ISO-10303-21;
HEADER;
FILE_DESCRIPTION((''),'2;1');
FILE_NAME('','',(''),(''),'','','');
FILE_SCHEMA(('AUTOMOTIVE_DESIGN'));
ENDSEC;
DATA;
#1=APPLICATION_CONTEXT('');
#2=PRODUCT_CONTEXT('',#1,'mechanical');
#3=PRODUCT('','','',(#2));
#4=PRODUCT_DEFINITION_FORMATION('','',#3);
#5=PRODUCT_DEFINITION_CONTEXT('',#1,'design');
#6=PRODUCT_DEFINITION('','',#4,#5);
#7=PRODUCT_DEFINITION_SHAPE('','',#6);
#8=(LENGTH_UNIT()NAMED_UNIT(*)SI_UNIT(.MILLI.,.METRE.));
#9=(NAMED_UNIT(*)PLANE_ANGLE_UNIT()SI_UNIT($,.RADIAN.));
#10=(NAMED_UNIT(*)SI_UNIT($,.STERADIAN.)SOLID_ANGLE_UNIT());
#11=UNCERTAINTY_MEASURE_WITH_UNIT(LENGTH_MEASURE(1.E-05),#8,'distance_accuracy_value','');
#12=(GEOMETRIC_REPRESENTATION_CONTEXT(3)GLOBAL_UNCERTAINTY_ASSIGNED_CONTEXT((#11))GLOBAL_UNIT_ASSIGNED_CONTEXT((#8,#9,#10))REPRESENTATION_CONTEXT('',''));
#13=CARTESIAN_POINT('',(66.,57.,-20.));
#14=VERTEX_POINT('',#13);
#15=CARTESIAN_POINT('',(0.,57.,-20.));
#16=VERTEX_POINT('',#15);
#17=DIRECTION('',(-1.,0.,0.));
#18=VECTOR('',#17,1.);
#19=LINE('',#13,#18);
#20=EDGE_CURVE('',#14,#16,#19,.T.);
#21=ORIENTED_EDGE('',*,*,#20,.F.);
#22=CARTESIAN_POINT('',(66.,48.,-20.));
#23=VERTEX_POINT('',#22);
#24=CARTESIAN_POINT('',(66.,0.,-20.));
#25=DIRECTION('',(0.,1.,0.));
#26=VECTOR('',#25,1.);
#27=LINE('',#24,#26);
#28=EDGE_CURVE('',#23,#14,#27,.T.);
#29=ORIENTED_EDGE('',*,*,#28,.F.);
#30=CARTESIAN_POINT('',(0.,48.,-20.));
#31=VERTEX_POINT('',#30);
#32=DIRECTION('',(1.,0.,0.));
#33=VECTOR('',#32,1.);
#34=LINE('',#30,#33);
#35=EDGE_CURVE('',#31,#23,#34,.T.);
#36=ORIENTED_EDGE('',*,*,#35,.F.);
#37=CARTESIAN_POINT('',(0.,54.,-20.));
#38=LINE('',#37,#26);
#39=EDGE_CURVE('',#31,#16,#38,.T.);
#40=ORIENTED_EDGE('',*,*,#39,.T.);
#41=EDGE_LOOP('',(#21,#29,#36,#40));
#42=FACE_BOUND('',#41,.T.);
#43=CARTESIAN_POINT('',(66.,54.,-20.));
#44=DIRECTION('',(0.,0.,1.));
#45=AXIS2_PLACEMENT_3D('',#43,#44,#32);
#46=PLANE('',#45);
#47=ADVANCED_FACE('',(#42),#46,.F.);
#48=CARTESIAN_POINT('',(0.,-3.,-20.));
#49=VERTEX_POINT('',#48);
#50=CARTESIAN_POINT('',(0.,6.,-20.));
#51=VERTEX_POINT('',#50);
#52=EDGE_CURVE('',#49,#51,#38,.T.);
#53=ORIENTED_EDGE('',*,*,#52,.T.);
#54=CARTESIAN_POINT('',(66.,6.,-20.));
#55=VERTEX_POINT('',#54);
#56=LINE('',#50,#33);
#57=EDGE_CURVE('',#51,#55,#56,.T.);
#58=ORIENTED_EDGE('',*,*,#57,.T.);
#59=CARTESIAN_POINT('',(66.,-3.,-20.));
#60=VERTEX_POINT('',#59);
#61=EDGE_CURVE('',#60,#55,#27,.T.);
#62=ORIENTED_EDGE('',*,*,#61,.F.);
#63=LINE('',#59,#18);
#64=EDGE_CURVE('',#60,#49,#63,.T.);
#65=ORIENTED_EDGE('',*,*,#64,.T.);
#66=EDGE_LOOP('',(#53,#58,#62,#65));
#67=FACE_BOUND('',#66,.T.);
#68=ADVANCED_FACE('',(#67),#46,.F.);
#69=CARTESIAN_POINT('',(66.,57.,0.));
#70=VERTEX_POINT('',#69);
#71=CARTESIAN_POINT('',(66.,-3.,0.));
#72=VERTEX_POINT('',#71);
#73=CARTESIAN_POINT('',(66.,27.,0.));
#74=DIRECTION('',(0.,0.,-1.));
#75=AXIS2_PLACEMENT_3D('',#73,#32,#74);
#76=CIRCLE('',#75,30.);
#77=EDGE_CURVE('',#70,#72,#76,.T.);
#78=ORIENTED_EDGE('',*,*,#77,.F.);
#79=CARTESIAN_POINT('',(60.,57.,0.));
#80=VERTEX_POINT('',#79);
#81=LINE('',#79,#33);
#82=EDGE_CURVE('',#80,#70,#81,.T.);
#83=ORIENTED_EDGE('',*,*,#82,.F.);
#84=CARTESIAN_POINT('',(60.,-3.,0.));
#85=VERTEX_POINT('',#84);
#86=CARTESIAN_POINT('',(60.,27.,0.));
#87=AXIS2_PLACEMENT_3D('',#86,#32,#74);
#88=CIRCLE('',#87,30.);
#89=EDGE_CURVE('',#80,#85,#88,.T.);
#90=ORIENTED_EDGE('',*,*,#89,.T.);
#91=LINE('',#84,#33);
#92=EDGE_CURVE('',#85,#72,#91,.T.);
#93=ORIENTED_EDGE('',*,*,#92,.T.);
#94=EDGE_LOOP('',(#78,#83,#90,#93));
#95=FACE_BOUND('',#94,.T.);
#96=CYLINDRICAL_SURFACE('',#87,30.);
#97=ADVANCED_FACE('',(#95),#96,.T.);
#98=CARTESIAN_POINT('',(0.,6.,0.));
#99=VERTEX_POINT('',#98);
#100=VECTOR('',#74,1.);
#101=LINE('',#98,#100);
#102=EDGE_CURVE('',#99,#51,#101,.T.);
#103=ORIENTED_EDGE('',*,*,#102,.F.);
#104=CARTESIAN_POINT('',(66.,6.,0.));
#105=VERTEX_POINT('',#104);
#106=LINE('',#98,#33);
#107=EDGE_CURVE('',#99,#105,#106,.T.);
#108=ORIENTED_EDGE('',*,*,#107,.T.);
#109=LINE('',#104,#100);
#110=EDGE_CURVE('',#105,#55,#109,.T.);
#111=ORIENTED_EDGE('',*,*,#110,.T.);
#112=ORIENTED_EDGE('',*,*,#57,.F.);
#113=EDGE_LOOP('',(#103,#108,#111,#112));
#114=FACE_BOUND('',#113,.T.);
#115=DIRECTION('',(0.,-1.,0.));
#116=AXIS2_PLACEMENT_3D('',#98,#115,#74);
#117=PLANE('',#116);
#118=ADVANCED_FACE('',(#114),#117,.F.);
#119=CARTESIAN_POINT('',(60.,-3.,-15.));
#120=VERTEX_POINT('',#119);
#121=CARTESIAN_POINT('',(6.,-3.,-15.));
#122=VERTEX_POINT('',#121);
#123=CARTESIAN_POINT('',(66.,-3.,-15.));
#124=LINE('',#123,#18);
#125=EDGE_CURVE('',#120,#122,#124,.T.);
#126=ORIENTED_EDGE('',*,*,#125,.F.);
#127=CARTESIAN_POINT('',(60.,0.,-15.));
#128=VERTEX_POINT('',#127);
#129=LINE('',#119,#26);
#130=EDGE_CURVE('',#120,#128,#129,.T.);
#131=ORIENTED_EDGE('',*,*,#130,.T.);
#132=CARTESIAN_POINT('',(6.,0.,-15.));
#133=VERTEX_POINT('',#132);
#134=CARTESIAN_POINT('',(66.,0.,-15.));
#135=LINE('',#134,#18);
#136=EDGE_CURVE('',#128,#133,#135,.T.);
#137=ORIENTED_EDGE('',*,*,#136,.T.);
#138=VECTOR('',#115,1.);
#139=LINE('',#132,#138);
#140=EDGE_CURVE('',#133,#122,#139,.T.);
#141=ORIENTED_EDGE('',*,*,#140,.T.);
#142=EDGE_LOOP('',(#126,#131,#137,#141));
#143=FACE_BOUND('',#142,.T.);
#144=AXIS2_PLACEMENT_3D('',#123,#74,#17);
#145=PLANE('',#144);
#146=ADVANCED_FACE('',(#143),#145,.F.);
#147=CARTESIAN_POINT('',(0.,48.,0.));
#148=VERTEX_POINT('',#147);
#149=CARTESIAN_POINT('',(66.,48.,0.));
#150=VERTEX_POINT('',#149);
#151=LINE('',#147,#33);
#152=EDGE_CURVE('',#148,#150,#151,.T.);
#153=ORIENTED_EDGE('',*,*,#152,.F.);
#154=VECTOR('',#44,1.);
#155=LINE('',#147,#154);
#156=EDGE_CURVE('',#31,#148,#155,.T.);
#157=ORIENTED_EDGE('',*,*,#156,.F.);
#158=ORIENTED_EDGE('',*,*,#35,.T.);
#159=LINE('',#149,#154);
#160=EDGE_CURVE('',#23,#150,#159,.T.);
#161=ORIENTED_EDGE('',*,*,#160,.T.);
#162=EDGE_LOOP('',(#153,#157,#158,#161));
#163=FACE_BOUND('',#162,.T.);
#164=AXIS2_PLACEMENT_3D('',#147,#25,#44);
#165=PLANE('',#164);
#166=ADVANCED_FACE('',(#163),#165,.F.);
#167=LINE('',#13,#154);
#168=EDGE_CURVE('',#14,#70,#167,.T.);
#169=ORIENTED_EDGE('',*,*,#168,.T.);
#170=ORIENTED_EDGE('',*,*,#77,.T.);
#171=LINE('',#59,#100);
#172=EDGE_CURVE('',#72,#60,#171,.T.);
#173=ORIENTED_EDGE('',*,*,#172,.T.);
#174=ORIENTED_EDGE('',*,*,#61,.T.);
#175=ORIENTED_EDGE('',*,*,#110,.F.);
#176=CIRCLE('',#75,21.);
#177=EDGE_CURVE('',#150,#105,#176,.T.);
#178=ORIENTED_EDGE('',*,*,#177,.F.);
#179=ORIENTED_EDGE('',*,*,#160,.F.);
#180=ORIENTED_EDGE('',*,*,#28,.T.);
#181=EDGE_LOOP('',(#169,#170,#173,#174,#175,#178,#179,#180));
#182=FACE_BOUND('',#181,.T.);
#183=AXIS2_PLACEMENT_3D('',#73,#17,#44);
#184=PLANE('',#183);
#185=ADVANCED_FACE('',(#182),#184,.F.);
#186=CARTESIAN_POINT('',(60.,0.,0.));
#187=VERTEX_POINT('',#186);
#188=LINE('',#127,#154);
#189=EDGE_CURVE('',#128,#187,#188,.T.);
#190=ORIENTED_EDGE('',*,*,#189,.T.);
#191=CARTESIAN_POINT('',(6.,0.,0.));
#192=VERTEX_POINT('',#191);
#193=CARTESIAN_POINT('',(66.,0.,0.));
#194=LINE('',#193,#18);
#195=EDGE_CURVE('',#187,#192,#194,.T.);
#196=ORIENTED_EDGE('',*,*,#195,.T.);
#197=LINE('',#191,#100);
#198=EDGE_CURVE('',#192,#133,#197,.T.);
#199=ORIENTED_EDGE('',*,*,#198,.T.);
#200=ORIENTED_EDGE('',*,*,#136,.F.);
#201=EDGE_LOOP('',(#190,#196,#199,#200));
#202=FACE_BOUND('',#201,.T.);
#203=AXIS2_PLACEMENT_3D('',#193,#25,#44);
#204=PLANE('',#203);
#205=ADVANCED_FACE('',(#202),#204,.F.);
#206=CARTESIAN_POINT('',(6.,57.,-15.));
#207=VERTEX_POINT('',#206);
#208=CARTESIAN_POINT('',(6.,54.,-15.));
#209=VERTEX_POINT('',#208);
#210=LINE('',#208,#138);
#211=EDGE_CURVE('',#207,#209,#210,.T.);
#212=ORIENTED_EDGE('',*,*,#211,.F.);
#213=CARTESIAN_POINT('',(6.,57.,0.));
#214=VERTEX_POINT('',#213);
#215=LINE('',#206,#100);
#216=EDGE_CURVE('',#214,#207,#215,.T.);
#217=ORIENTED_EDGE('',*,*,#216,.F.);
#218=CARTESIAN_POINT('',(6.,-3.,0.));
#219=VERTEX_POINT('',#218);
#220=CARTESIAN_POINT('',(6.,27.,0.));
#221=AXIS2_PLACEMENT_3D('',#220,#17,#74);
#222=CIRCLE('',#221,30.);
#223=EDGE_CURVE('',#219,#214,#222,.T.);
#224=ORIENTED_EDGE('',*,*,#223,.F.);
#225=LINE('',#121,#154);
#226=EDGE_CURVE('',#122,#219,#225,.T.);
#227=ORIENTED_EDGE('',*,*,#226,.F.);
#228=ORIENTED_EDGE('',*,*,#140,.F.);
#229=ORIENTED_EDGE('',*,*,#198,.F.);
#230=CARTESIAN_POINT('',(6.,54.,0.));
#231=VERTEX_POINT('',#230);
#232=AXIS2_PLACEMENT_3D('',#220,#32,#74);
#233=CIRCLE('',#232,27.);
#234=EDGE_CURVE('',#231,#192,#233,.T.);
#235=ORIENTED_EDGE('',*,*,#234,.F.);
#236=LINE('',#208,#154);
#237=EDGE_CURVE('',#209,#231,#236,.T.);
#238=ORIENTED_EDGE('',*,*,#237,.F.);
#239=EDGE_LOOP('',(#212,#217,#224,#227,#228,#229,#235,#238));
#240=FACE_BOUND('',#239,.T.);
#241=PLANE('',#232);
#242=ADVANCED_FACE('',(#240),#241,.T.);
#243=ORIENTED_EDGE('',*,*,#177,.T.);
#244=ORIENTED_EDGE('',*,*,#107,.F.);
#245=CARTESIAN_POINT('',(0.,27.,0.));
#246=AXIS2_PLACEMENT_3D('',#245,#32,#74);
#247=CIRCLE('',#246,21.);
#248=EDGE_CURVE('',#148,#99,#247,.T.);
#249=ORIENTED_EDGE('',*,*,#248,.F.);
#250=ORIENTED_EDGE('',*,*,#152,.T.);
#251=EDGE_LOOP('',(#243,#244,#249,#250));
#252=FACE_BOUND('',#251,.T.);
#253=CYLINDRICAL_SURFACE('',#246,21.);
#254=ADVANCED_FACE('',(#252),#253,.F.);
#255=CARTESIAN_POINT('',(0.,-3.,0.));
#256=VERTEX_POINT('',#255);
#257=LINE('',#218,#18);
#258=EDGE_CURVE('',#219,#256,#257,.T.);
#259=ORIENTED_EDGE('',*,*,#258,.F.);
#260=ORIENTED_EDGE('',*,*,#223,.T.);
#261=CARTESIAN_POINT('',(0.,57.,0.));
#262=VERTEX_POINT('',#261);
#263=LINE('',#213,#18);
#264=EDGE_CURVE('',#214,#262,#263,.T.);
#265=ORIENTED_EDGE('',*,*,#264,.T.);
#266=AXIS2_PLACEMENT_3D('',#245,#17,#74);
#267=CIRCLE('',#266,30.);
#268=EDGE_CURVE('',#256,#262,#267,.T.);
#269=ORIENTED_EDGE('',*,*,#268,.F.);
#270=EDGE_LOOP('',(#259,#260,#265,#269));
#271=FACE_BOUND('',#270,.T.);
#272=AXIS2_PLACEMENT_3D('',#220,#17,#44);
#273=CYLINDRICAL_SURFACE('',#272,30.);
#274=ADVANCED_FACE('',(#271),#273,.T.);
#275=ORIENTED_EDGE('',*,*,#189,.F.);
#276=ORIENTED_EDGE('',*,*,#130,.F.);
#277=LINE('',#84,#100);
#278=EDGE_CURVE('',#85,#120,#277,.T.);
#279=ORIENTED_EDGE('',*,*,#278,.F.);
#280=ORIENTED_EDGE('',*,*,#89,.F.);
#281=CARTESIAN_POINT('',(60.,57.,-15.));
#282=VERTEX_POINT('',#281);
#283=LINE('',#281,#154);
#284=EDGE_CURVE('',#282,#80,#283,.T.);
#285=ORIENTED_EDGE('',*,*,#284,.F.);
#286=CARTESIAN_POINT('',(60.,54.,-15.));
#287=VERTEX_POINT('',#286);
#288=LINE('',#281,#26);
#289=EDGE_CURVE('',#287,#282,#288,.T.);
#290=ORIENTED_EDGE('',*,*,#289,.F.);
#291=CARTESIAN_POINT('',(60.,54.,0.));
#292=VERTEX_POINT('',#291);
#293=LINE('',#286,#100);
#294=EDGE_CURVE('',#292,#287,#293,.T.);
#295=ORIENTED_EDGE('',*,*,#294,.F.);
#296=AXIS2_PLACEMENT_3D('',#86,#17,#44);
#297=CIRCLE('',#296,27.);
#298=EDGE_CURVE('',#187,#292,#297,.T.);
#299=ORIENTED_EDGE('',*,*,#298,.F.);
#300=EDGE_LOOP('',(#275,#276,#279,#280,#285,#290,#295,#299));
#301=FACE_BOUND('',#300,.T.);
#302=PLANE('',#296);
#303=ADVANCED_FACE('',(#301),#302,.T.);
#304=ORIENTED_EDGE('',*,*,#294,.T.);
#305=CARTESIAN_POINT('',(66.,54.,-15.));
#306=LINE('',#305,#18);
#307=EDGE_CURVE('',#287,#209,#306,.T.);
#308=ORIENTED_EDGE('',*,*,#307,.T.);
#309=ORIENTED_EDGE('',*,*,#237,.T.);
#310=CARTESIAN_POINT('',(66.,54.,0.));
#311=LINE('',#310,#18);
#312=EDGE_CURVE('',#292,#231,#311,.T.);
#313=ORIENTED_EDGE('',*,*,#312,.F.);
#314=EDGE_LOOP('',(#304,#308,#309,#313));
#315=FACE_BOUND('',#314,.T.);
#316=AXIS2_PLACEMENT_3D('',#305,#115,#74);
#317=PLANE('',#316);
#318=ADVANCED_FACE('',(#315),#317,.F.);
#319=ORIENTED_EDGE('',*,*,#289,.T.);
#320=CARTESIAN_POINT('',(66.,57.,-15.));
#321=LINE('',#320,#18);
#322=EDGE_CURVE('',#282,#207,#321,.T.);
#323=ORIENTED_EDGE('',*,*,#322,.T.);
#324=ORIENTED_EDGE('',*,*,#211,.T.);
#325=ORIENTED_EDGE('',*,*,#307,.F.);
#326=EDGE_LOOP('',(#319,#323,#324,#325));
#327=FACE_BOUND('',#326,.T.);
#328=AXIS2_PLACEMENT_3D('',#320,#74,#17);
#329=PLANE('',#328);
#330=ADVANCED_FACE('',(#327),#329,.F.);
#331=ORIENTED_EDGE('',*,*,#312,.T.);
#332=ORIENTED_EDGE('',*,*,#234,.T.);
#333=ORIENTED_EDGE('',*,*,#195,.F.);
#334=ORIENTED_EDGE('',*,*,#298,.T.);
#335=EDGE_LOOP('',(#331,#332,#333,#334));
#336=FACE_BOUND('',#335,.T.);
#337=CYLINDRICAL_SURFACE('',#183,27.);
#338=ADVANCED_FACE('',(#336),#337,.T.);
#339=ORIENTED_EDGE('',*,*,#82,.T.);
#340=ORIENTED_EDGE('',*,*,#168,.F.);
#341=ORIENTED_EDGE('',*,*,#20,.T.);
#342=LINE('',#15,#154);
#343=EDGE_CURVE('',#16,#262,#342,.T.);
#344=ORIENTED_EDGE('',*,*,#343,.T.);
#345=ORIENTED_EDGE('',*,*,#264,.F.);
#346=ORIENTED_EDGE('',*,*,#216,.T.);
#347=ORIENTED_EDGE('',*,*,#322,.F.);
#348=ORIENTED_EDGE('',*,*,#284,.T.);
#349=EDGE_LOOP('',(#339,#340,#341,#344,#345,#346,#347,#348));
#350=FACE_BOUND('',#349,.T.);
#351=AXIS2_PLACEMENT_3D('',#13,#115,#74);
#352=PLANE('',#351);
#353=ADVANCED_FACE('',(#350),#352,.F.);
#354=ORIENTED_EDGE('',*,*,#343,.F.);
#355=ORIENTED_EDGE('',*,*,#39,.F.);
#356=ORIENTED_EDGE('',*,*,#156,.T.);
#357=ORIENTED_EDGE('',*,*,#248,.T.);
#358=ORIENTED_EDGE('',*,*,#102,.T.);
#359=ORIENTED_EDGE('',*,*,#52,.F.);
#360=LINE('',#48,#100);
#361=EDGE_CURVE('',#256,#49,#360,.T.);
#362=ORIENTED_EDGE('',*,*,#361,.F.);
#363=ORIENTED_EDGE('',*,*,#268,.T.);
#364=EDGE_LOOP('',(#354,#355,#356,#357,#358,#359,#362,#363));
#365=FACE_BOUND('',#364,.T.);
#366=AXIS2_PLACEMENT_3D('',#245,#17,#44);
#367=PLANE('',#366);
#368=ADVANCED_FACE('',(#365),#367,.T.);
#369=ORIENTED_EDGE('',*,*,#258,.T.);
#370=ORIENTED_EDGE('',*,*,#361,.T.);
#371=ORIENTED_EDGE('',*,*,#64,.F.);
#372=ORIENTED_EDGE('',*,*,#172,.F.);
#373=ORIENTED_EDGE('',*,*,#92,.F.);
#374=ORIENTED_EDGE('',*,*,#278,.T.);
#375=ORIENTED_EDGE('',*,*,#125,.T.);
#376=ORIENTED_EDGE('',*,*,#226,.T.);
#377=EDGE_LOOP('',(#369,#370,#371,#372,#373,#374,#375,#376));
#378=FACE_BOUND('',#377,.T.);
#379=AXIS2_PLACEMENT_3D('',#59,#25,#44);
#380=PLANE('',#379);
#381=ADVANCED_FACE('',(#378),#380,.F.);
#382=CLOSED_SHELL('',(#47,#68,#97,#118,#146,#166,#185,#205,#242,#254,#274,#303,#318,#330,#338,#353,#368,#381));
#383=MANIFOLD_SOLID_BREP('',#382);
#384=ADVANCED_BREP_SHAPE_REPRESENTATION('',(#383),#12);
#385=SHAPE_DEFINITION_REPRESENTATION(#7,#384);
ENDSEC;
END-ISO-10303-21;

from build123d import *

# Parameters (mm, degrees)
BOSS_EXTRUDE1_DEPTH = 66
CUT_EXTRUDE1_DEPTH  = 92.290744328
BOSS_EXTRUDE2_START = -6
BOSS_EXTRUDE2_DEPTH = 6
BOSS_EXTRUDE3_DEPTH = 6


with BuildPart() as part:
    # Sketch1 → Boss-Extrude1 (new body)
    with BuildSketch(Plane.YZ):
        with BuildLine():
            Line((0, 0), (0, -15))
            Line((0, -15), (-3, -15))
            Line((-3, -15), (-3, -20))
            Line((-3, -20), (0, -20))
            Line((0, -20), (54, -20))
            Line((54, -20), (57, -20))
            Line((57, -20), (57, -15))
            Line((57, -15), (54, -15))
            Line((54, -15), (54, 0))
            ThreePointArc((54, 0), (27, 27), (0, 0))
        make_face()
    extrude(amount=BOSS_EXTRUDE1_DEPTH)

    # Sketch2 → Cut-Extrude1 (cut, through all)
    with BuildSketch(Plane.YZ.offset(66)):
        with BuildLine():
            Line((6, 0), (6, -20))
            Line((6, -20), (48, -20))
            Line((48, -20), (48, 0))
            ThreePointArc((48, 0), (27, 21), (6, 0))
        make_face()
    extrude(amount=-CUT_EXTRUDE1_DEPTH, mode=Mode.SUBTRACT)

    # Sketch3 → Boss-Extrude2 (add)
    with BuildSketch(Plane.YZ.offset(66).offset(BOSS_EXTRUDE2_START)):
        with BuildLine():
            Line((-3, -15), (0, -15))
            Line((0, -15), (0, 0))
            ThreePointArc((0, 0), (27, 27), (54, 0))
            Line((54, 0), (54, -15))
            Line((54, -15), (57, -15))
            Line((57, -15), (57, 0))
            ThreePointArc((57, 0), (27, 30), (-3, 0))
            Line((-3, 0), (-3, -15))
        make_face()
    extrude(amount=BOSS_EXTRUDE2_DEPTH)

    # Sketch4 → Boss-Extrude3 (add)
    with BuildSketch(Plane(origin=(0, 0, 0), x_dir=(0, -1, 0), z_dir=(-1, 0, 0))):
        with BuildLine():
            Line((-54, -15), (-57, -15))
            Line((-57, -15), (-57, 0))
            ThreePointArc((-57, 0), (-27, 30), (3, 0))
            Line((3, 0), (3, -15))
            Line((3, -15), (0, -15))
            Line((0, -15), (0, 0))
            ThreePointArc((0, 0), (-27, 27), (-54, 0))
            Line((-54, 0), (-54, -15))
        make_face()
    extrude(amount=-BOSS_EXTRUDE3_DEPTH)


solid = part.part
